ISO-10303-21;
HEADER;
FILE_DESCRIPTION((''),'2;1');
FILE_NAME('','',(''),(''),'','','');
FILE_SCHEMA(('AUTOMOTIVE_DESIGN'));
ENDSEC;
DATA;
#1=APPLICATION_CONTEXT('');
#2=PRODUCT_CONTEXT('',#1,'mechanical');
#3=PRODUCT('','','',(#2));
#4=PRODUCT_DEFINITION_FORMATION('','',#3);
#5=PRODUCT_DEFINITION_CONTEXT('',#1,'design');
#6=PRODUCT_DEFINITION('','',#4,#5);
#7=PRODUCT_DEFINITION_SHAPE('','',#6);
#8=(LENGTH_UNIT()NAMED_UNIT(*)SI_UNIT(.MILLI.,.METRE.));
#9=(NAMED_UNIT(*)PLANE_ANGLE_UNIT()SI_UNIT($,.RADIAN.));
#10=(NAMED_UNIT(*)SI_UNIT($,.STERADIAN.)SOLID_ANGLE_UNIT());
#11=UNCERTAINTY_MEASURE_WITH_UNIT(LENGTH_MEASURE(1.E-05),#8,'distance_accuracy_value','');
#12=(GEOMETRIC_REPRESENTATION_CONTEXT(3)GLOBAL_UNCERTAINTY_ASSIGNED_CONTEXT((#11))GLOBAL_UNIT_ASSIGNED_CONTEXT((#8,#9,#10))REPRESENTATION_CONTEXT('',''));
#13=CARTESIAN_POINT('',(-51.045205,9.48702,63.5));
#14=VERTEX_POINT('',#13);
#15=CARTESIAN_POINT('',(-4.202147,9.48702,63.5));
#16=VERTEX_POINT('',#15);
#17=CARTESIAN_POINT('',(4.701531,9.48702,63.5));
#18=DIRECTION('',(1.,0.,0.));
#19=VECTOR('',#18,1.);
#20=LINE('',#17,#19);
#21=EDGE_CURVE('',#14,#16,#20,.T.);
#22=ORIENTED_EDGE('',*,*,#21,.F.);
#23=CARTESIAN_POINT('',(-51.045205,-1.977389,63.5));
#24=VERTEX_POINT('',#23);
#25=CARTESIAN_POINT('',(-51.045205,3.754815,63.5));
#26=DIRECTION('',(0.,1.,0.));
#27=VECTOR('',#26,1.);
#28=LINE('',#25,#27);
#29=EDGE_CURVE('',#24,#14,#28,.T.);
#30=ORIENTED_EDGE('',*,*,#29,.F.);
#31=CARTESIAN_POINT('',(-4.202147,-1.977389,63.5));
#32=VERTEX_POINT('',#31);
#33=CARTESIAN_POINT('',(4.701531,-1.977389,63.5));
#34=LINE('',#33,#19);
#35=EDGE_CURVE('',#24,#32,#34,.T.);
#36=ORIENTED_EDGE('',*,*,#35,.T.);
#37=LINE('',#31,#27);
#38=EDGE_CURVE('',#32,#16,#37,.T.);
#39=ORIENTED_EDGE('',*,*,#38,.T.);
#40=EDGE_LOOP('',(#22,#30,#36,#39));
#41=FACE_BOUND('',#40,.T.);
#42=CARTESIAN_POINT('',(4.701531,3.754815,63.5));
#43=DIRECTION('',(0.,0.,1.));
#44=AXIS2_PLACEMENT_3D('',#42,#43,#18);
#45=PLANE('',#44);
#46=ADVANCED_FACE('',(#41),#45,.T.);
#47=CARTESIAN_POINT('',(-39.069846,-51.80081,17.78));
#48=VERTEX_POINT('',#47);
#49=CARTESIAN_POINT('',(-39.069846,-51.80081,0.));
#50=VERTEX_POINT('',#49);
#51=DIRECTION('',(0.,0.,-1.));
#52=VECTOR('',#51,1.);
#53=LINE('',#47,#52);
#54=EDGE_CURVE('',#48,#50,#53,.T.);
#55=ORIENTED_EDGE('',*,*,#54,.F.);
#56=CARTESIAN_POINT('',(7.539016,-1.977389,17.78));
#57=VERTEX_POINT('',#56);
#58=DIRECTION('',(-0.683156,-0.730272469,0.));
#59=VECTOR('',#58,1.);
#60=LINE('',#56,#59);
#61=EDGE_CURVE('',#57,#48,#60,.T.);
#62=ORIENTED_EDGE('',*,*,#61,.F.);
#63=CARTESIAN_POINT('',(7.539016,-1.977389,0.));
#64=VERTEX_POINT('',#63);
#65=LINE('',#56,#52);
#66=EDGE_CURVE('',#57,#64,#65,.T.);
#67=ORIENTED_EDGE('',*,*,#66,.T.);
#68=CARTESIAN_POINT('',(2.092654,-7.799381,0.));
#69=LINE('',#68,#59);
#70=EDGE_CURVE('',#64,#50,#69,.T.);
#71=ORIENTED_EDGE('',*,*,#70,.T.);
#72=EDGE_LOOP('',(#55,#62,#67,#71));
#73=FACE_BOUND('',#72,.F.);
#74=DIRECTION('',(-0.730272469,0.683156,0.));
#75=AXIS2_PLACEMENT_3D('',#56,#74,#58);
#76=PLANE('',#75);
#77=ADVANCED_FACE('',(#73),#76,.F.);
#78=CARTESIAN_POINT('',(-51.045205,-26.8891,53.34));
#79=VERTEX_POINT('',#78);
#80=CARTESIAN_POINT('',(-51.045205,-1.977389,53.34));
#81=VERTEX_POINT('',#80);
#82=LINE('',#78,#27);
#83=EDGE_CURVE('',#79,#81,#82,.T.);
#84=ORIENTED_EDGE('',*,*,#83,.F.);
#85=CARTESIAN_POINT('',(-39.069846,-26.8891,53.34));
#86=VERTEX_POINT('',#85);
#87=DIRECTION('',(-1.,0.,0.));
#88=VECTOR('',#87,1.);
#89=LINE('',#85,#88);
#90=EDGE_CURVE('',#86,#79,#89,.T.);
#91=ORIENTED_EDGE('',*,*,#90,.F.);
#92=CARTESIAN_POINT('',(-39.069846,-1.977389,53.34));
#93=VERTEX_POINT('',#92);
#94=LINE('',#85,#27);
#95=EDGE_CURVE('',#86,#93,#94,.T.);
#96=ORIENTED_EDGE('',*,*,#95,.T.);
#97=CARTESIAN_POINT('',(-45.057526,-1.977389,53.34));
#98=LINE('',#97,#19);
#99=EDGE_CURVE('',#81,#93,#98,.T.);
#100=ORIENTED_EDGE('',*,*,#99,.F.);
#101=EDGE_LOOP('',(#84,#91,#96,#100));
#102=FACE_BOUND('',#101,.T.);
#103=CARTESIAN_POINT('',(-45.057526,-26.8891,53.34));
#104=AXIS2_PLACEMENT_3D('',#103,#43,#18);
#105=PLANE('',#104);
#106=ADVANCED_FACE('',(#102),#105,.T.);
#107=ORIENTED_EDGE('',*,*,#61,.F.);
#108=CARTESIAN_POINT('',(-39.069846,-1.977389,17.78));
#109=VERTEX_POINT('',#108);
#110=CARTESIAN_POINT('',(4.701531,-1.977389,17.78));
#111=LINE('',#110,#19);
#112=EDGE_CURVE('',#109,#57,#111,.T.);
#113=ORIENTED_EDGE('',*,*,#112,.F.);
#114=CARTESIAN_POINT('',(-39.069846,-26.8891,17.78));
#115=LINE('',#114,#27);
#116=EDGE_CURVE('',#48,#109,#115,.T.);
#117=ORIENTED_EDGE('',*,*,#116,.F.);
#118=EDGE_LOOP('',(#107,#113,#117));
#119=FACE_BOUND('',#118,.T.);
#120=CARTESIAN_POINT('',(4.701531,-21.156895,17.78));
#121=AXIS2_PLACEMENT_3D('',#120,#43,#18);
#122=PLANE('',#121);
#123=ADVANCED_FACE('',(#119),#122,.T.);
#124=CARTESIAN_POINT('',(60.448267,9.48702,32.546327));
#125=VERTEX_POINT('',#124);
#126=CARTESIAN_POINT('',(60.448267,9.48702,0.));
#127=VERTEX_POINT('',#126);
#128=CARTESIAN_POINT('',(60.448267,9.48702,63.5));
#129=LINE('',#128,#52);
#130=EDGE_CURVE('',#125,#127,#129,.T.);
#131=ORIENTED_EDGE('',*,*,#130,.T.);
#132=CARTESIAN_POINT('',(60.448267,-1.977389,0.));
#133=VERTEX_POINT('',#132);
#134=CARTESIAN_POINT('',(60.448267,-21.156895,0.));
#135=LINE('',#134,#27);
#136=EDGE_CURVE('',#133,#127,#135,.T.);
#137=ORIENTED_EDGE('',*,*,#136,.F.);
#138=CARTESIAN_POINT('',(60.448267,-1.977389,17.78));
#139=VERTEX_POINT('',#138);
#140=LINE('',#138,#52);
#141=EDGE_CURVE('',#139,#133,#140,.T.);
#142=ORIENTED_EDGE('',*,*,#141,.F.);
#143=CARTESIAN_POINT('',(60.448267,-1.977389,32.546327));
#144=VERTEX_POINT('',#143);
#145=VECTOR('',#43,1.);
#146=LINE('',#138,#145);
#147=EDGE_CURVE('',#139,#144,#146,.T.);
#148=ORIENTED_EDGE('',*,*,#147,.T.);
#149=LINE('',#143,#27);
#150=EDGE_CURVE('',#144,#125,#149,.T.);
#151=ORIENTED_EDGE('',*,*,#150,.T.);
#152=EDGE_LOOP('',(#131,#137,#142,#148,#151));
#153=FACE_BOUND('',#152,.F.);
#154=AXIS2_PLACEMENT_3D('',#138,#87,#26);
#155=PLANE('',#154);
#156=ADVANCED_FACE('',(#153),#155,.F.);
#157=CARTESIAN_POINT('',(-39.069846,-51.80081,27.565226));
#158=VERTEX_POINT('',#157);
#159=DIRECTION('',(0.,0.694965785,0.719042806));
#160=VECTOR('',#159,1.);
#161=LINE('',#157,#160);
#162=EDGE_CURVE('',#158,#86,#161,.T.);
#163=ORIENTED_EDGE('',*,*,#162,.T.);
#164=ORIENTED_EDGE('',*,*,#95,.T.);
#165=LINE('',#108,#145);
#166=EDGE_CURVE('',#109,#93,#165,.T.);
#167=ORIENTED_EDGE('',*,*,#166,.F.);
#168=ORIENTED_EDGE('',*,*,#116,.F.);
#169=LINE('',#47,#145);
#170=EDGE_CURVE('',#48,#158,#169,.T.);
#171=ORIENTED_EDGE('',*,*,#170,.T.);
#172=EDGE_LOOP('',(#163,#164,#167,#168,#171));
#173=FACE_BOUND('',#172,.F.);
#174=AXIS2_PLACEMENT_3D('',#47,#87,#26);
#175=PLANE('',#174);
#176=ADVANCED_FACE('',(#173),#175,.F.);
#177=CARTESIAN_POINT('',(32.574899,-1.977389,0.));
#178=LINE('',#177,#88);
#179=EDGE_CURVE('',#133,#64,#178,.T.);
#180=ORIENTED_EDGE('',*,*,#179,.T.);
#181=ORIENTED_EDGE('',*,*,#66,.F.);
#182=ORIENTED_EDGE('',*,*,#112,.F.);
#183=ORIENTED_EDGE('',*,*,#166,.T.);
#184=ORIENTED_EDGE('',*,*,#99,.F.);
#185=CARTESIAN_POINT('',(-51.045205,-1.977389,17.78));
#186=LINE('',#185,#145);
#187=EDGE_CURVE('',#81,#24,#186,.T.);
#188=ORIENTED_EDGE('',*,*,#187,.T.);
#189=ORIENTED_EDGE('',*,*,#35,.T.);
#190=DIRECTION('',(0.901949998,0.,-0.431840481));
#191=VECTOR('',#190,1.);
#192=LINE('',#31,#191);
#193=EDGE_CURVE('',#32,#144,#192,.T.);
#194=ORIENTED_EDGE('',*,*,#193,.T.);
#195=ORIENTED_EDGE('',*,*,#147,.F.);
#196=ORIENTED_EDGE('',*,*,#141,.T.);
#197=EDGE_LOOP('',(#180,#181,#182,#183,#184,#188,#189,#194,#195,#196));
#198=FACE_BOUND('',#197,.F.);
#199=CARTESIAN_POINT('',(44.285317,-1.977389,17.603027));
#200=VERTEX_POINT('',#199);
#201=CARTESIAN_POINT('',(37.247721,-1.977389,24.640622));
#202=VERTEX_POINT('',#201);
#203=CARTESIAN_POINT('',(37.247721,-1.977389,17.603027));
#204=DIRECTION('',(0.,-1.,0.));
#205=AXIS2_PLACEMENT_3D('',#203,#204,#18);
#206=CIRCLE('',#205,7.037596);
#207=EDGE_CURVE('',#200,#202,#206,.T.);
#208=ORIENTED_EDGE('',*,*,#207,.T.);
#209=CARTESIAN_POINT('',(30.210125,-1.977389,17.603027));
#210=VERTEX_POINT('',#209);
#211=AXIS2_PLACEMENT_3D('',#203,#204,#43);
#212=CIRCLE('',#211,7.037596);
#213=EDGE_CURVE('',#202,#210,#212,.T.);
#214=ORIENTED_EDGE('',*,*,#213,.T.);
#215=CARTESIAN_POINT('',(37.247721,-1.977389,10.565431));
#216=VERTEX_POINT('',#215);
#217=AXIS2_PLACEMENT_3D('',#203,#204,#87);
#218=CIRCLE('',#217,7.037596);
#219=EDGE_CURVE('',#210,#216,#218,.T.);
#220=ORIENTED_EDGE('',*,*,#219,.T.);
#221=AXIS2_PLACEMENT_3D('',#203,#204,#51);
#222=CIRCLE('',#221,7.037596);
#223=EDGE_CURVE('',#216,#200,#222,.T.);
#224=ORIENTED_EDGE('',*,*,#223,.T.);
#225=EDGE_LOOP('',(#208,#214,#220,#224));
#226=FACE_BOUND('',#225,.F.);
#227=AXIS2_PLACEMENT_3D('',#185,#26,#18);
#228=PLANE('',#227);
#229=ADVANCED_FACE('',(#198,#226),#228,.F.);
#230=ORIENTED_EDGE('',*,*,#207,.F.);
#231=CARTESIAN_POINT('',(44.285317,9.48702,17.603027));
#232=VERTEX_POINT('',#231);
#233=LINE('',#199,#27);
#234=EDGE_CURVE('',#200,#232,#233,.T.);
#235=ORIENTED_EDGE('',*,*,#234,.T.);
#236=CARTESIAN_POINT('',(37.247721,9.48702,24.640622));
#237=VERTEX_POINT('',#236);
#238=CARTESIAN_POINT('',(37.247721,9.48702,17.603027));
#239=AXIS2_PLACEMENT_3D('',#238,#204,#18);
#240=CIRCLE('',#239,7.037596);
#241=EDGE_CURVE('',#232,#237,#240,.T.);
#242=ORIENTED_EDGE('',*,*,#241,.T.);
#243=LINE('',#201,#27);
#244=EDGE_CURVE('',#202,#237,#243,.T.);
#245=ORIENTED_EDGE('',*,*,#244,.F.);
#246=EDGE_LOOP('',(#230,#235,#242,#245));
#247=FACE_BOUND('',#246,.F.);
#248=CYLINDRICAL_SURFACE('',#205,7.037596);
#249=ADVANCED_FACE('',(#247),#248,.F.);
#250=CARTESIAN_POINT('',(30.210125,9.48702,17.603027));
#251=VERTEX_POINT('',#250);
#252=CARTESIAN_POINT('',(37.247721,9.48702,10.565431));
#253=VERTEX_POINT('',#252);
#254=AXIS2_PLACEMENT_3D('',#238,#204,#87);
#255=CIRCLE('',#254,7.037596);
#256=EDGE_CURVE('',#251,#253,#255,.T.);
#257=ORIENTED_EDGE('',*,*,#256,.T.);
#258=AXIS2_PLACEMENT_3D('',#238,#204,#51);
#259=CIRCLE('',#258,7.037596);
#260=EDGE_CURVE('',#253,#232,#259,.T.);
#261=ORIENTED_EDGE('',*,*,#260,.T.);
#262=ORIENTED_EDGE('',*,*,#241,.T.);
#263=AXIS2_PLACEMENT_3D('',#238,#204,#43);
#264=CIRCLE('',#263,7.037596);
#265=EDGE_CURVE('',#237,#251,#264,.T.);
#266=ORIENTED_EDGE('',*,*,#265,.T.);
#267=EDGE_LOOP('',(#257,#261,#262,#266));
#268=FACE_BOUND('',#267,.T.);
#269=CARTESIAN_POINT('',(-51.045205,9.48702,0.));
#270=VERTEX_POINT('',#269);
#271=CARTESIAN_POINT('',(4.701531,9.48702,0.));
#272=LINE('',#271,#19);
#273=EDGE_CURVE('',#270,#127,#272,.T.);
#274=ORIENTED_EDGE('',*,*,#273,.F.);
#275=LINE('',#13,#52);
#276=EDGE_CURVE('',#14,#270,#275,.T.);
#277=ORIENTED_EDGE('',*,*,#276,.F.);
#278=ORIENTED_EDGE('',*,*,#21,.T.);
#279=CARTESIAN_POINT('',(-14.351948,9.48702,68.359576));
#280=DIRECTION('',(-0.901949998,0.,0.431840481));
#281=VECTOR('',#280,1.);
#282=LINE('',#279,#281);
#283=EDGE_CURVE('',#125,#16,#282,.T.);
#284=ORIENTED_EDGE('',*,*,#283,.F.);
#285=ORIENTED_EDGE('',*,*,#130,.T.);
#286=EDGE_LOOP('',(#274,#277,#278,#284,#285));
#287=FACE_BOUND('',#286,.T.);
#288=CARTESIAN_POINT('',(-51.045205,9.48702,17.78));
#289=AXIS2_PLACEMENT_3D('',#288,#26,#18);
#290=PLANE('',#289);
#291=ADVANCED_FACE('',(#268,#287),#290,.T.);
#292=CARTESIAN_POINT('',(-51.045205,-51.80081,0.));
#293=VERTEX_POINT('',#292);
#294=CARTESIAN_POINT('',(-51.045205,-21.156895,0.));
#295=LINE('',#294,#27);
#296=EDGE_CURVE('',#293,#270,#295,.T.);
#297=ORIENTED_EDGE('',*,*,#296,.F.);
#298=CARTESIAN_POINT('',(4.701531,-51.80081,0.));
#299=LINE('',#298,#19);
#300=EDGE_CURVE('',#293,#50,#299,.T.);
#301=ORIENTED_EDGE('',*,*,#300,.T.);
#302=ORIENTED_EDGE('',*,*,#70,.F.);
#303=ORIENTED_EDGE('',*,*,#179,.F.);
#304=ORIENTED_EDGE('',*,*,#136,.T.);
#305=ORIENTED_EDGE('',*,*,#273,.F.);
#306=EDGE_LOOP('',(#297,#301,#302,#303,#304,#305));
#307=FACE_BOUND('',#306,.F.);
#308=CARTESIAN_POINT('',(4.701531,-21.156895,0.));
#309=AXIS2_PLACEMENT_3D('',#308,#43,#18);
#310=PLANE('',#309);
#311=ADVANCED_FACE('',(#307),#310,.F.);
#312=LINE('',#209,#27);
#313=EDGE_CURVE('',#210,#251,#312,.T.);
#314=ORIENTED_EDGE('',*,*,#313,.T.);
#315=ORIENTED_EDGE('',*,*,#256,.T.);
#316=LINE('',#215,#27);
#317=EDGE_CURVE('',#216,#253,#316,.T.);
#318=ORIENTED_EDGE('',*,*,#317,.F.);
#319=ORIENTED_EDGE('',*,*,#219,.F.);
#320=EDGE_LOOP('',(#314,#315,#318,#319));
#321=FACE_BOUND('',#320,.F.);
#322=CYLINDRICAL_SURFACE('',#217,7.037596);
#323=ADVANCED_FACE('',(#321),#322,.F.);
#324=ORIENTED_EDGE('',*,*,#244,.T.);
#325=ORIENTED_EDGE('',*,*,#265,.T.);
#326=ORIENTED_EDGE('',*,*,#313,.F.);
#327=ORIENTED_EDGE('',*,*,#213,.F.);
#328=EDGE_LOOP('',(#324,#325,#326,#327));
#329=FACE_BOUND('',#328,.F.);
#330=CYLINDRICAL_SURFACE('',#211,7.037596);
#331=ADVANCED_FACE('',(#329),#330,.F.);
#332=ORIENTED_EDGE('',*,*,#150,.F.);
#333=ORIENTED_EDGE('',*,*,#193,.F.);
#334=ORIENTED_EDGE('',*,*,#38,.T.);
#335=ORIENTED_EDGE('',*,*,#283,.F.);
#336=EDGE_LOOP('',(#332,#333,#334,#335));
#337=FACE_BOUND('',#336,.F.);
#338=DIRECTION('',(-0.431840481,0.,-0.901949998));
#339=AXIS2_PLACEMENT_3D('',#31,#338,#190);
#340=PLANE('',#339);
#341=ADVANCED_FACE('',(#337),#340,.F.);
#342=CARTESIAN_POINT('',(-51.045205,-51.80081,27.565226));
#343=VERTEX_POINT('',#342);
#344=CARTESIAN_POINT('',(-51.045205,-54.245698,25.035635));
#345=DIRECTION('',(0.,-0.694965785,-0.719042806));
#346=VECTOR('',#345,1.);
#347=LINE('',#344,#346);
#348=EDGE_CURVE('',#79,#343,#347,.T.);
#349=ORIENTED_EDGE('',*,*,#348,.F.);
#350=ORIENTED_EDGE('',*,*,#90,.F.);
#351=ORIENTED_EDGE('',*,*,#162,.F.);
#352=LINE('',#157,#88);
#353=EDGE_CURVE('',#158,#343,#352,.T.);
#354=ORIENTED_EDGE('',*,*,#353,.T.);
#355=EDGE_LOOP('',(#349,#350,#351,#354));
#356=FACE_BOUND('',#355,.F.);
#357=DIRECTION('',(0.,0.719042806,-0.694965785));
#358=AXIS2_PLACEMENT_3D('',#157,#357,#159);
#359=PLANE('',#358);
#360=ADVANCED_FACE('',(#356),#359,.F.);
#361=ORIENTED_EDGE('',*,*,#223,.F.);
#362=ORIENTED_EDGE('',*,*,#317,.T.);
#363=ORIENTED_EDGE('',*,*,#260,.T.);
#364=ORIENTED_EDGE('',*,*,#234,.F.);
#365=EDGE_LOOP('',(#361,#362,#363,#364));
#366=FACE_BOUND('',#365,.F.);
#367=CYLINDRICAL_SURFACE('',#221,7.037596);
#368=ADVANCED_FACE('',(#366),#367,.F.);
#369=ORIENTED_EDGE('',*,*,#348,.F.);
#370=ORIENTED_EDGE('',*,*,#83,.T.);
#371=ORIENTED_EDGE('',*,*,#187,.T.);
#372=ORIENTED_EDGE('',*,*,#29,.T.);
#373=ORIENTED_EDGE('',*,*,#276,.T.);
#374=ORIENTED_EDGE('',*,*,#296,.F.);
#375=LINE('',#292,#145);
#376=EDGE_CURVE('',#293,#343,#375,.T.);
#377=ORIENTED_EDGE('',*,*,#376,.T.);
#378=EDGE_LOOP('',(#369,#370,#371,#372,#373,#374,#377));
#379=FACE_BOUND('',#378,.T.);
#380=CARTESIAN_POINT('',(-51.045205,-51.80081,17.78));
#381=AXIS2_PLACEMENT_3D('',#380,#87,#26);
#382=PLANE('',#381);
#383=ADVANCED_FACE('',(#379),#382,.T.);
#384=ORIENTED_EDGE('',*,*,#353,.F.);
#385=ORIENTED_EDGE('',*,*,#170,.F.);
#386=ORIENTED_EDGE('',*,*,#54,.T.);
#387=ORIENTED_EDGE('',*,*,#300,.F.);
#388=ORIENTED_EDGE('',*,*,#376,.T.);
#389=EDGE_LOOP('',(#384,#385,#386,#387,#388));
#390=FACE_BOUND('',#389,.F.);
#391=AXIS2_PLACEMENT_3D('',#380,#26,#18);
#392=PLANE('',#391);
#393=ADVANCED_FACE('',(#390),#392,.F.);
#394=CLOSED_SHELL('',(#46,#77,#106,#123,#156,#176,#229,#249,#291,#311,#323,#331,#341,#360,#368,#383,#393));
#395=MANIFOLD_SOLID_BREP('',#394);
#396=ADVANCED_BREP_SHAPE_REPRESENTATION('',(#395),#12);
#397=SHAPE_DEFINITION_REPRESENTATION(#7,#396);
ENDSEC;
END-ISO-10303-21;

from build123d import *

# Parameters (mm, degrees)
F0_W      = 111.4934720099
F0_H      = 61.2878296524
F1_DEPTH  = 17.78
F2_W      = 111.4934720099
F2_H      = 11.4644090645
F3_DEPTH  = 45.72
F4_W      = 11.9753591716
F4_H      = 49.8234205879
F5_DEPTH  = 35.56
F7_DEPTH  = 25.4
F9_DEPTH  = 25.4
F11_DEPTH = 25.4
F13_DEPTH = 25.4


with BuildPart() as f1:
    # F0 (on Top) → F1 (new body)
    with BuildSketch(Plane.XY):
        with Locations((4.7015305609, -21.1568949744)):
            Rectangle(F0_W, F0_H)
    extrude(amount=F1_DEPTH)

    # F2 (on face) → F3 (join)
    with BuildSketch(Plane.XY.offset(17.78)):
        with Locations((4.7015305609, 3.7548153196)):
            Rectangle(F2_W, F2_H)
    extrude(amount=F3_DEPTH)

    # F4 (on face) → F5 (join)
    with BuildSketch(Plane.XY.offset(17.78)):
        with Locations((-45.0575258583, -26.8890995067)):
            Rectangle(F4_W, F4_H)
    extrude(amount=F5_DEPTH)

    # F6 (on face) → F7 (cut)
    with BuildSketch(Plane.YZ.offset(-39.0698462725)):
        Polygon((-51.8008098006, 27.5652259588), (-26.8890995067, 53.34), (-51.8008098006, 53.34), align=None)
    extrude(amount=-F7_DEPTH, mode=Mode.SUBTRACT)

    # F8 (on face) → F9 (cut)
    with BuildSketch(Plane.XZ.offset(1.9773892127)):
        Polygon((60.4482665658, 63.5), (-4.2021470144, 63.5), (60.4482665658, 32.5463265181), align=None)
    extrude(amount=-F9_DEPTH, mode=Mode.SUBTRACT)

    # F10 (on face) → F11 (cut)
    with BuildSketch(Plane.XY.offset(17.78)):
        Polygon((60.4482665658, -1.9773892127), (7.539015729, -1.9773892127), (-39.0698462725, -51.8008098006), (60.4482665658, -51.8008098006), align=None)
    extrude(amount=-F11_DEPTH, mode=Mode.SUBTRACT)

    # F12 (on face) → F13 (cut)
    with BuildSketch(Plane.XZ.offset(1.9773892127)):
        with BuildLine():
            Line((30.2101253638, 17.603026703), (37.2477211058, 17.603026703))
            Line((37.2477211058, 17.603026703), (37.2477211058, 24.640622445))
            ThreePointArc((37.2477211058, 24.640622445), (32.2713894334, 22.5793583754), (30.2101253638, 17.603026703))
        make_face()
        with BuildLine():
            Line((37.2477211058, 24.640622445), (37.2477211058, 17.603026703))
            Line((37.2477211058, 17.603026703), (44.2853168478, 17.603026703))
            ThreePointArc((44.2853168478, 17.603026703), (42.2240527782, 22.5793583754), (37.2477211058, 24.640622445))
        make_face()
        with BuildLine():
            Line((37.2477211058, 10.565430961), (37.2477211058, 17.603026703))
            Line((37.2477211058, 17.603026703), (30.2101253638, 17.603026703))
            ThreePointArc((30.2101253638, 17.603026703), (32.2713894334, 12.6266950306), (37.2477211058, 10.565430961))
        make_face()
        with BuildLine():
            Line((44.2853168478, 17.603026703), (37.2477211058, 17.603026703))
            Line((37.2477211058, 17.603026703), (37.2477211058, 10.565430961))
            ThreePointArc((37.2477211058, 10.565430961), (42.2240527782, 12.6266950306), (44.2853168478, 17.603026703))
        make_face()
    extrude(amount=-F13_DEPTH, mode=Mode.SUBTRACT)


solid = f1.part
